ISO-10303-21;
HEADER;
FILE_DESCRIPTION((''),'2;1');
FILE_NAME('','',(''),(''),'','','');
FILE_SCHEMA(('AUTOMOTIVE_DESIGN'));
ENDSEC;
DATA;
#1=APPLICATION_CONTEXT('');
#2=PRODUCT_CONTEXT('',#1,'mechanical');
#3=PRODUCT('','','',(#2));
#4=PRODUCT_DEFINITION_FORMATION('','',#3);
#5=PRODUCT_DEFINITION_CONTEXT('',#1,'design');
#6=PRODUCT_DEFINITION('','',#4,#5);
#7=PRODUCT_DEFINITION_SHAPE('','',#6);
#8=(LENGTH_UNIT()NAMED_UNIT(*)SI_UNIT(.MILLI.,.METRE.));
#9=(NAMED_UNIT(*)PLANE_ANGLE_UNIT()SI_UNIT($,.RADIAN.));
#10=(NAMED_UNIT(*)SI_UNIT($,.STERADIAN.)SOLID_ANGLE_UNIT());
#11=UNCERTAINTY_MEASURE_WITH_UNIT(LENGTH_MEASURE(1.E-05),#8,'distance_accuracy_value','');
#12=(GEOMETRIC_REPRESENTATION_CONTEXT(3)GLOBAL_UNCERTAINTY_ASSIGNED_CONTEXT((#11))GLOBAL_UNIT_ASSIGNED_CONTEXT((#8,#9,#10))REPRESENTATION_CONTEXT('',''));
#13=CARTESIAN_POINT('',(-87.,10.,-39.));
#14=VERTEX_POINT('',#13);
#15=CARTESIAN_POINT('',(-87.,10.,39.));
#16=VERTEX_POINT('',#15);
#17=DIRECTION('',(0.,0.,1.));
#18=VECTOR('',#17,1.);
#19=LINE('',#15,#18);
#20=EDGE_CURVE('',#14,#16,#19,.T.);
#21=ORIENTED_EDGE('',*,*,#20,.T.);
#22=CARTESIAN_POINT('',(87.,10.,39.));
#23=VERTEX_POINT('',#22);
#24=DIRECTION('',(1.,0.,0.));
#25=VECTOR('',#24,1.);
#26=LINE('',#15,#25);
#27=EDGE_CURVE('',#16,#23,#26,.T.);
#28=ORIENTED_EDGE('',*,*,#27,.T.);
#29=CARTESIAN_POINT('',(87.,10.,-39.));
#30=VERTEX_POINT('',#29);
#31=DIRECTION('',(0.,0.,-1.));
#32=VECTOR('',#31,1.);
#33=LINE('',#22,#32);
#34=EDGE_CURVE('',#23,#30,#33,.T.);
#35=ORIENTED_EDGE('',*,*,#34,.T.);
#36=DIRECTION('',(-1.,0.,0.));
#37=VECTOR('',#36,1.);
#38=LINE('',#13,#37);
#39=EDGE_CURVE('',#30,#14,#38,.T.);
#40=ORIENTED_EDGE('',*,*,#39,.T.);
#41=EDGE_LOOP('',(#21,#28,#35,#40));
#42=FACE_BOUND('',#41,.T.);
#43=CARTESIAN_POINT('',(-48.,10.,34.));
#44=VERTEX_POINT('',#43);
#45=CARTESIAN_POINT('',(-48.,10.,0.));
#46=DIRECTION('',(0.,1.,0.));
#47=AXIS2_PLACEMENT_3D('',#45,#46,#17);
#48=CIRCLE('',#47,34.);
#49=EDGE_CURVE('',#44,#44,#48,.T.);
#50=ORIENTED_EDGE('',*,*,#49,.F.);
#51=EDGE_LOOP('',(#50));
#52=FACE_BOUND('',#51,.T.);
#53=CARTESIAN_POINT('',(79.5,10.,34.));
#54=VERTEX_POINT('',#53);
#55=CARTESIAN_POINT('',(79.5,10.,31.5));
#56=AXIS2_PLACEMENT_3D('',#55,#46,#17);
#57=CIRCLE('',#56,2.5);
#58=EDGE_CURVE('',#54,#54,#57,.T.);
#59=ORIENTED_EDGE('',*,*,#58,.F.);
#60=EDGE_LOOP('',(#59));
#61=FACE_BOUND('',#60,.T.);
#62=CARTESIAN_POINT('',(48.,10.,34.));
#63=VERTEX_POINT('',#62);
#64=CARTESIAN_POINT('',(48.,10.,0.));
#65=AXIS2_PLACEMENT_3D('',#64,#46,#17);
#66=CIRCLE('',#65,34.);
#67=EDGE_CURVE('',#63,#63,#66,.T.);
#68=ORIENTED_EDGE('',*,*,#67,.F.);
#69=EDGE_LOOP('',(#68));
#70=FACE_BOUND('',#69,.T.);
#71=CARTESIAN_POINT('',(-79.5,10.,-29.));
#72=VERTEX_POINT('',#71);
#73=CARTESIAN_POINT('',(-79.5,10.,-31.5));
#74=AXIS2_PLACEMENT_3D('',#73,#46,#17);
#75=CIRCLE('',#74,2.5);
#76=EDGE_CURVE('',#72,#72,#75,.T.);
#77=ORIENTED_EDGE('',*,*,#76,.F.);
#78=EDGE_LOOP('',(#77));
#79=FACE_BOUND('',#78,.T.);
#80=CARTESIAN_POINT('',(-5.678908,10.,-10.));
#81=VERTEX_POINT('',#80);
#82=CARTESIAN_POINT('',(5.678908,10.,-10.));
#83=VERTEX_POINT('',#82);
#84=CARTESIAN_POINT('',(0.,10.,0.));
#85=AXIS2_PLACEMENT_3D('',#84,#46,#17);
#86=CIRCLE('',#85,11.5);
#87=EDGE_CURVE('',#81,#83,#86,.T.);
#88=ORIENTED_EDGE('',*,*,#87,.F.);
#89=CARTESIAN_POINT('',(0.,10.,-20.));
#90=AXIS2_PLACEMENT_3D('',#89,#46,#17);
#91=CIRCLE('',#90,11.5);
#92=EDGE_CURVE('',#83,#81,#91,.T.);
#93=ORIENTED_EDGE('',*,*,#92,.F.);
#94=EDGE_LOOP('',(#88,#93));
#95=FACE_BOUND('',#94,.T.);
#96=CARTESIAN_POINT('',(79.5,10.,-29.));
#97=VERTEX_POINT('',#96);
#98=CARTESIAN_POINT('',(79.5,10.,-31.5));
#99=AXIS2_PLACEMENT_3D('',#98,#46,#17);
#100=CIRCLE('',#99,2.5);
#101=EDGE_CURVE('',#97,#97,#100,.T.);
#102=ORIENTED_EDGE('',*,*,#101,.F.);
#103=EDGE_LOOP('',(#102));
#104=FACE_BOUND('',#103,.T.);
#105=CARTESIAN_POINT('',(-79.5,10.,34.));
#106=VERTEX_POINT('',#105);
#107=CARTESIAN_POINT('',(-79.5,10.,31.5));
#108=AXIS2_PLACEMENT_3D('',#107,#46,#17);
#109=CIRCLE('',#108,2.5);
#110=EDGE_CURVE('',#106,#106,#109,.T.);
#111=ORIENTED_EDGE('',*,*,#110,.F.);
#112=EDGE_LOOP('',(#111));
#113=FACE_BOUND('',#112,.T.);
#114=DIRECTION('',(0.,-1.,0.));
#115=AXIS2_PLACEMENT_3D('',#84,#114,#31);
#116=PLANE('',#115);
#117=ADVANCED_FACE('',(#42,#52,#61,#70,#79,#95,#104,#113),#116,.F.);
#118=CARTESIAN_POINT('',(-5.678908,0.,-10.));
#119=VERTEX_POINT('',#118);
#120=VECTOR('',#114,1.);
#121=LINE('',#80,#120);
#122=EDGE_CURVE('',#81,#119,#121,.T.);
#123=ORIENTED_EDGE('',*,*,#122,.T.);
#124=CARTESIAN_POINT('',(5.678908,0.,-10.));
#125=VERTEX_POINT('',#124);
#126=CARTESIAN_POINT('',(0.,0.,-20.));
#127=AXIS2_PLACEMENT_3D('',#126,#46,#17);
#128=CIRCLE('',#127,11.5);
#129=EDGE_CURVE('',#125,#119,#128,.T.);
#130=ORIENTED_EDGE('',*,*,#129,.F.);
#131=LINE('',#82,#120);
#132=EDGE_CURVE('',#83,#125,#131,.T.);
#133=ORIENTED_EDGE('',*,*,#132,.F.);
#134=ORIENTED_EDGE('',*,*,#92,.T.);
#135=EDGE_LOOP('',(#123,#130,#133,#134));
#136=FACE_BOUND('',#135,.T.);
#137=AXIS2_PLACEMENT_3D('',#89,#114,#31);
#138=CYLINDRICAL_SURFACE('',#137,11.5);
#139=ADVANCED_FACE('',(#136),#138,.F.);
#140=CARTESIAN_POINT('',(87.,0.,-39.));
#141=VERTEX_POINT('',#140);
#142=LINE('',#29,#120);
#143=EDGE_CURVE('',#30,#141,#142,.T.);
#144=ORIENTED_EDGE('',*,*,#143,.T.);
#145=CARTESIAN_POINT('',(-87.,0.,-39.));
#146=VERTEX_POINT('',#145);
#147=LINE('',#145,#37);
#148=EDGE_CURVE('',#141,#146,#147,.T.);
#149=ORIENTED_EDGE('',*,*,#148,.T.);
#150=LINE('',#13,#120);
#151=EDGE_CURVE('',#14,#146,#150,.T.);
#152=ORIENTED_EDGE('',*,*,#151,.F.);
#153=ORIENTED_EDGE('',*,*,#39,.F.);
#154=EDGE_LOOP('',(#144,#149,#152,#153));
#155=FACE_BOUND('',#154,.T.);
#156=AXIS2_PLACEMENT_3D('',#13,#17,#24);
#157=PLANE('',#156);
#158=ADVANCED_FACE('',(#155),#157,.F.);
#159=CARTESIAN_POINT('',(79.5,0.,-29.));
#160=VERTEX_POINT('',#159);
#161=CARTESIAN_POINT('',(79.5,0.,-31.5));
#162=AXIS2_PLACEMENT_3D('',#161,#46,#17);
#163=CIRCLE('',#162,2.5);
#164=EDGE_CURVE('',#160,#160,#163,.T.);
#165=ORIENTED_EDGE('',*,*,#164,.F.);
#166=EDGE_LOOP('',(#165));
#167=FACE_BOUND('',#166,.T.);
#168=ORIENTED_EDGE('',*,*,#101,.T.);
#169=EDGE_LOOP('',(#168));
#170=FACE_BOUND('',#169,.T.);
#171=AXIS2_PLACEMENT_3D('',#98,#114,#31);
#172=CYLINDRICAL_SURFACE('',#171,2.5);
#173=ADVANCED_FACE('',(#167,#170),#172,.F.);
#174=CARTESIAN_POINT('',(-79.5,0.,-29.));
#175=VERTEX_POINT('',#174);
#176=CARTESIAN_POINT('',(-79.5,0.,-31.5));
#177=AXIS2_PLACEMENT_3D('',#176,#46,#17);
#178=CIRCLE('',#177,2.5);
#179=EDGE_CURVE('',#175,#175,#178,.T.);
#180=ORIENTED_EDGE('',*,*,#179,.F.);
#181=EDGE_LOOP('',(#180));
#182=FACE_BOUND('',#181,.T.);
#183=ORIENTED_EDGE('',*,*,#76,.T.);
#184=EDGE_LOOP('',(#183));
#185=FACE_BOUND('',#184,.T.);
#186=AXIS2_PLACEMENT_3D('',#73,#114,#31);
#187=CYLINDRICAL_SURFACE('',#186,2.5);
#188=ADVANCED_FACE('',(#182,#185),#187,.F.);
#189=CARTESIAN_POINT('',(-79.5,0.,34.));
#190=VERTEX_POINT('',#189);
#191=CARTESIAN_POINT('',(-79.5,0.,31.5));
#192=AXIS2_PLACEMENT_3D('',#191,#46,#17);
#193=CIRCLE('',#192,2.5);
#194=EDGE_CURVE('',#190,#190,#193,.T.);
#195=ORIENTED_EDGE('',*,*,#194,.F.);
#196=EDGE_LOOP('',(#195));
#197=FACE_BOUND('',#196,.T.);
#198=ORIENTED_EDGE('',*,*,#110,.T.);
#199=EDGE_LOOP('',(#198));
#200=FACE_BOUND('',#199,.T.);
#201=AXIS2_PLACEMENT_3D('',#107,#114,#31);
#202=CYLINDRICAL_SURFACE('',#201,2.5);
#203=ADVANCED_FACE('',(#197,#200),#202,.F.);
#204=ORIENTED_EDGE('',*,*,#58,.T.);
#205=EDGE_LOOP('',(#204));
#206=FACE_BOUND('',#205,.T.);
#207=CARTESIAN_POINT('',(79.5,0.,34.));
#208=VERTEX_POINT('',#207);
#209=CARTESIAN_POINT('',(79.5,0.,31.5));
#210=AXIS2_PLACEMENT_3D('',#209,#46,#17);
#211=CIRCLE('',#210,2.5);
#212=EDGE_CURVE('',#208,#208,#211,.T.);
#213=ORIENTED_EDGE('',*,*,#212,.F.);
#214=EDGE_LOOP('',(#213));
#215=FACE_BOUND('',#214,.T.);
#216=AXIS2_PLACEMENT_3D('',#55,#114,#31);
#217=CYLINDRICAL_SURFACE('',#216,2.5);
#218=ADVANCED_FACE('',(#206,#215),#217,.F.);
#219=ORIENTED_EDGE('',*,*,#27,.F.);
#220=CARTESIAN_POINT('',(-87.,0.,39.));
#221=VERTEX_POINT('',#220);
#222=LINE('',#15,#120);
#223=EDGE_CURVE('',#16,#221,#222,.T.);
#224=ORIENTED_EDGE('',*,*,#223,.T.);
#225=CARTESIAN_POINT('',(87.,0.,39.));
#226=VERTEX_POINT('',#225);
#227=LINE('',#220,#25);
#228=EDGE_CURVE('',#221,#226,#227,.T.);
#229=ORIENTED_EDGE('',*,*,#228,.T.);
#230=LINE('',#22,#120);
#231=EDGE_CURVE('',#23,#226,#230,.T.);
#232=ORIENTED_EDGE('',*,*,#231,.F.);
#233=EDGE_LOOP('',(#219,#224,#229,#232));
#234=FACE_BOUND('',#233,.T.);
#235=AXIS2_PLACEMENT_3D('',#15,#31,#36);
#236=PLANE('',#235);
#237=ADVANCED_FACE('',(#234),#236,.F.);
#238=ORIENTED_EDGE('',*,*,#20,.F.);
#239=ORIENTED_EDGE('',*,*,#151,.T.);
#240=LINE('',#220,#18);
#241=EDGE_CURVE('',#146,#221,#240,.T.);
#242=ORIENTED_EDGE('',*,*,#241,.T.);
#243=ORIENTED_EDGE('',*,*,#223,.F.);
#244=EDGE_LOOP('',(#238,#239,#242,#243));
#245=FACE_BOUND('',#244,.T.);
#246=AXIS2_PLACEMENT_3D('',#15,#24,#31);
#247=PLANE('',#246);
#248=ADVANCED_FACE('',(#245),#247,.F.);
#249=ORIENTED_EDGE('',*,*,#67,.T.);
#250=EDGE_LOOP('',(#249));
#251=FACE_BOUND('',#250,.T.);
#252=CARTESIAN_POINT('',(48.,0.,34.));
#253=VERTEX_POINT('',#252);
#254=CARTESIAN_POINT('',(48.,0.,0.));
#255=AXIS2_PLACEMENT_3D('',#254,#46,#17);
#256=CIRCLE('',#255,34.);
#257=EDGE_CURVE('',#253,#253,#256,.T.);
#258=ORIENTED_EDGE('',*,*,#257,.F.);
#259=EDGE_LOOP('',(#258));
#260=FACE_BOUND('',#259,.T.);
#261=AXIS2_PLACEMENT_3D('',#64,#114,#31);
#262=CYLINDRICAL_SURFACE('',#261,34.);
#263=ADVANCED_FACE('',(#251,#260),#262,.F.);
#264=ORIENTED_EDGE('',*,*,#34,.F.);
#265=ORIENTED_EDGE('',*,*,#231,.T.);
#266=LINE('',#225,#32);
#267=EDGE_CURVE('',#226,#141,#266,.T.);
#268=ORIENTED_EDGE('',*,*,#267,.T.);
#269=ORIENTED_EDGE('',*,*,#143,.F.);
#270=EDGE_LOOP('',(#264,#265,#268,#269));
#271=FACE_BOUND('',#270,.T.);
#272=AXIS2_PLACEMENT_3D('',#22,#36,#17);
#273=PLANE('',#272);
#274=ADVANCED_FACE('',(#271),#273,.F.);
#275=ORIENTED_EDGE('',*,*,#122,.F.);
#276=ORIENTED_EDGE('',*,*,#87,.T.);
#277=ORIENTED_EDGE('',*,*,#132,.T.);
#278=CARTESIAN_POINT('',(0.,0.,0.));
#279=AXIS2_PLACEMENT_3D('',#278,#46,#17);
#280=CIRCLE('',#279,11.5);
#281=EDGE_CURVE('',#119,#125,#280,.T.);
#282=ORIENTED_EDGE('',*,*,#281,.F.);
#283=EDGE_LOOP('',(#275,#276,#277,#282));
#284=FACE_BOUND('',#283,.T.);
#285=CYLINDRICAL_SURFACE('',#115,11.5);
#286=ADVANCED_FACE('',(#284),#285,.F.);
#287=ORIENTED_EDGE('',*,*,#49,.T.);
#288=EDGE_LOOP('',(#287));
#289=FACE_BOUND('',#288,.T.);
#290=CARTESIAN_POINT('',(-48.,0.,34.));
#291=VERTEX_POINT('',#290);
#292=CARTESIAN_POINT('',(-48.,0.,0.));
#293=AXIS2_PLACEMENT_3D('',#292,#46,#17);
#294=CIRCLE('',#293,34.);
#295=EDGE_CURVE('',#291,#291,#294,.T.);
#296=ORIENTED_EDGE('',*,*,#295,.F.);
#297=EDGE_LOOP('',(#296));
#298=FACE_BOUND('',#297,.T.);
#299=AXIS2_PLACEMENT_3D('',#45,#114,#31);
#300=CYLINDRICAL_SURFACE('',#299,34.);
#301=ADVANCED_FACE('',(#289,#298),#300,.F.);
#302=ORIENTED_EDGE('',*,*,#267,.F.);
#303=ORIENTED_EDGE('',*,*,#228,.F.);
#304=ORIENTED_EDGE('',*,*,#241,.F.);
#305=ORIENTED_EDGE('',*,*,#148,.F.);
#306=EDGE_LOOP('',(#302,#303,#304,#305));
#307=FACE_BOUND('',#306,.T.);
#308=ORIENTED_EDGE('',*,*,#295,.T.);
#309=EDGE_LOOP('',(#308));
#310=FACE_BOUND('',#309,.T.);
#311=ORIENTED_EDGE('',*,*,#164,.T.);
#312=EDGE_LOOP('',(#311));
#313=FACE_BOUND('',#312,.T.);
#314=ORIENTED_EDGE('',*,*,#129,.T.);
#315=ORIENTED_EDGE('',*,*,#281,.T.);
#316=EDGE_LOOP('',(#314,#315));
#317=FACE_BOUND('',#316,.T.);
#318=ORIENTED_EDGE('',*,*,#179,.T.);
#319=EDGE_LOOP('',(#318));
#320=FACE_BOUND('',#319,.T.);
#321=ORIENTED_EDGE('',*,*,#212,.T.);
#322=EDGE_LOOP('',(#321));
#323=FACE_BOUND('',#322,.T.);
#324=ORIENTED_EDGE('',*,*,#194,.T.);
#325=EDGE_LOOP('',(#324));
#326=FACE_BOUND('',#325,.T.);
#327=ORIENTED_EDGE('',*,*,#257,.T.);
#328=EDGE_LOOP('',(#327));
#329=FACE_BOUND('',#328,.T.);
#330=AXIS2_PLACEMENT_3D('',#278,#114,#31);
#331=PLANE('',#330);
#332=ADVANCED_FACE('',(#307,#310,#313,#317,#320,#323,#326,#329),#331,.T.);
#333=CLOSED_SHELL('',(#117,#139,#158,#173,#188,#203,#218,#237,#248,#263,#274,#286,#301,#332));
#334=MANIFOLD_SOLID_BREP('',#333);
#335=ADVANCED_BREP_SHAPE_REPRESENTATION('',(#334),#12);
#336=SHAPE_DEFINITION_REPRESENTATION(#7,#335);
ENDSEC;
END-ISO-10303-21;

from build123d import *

# Parameters (mm, degrees)
SKETCH1_W           = 174
SKETCH1_H           = 78
SKETCH1_R           = 34
SKETCH1_R_2         = 2.5
BOSS_EXTRUDE1_DEPTH = 10


with BuildPart() as part:
    # Sketch1 → Boss-Extrude1 (new body)
    with BuildSketch(Plane(origin=(0, 0, 0), x_dir=(1, 0, 0), z_dir=(0, 1, 0))):
        Rectangle(SKETCH1_W, SKETCH1_H)
        with Locations(Location((48, 0, 0), (0, 0, 270))):
            Circle(SKETCH1_R, mode=Mode.SUBTRACT)
        with Locations(Location((-48, 0, 0), (0, 0, 270))):
            Circle(SKETCH1_R, mode=Mode.SUBTRACT)
        with Locations(Location((-79.5, 31.5, 0), (0, 0, 270))):
            Circle(SKETCH1_R_2, mode=Mode.SUBTRACT)
        with Locations(Location((-79.5, -31.5, 0), (0, 0, 270))):
            Circle(SKETCH1_R_2, mode=Mode.SUBTRACT)
        with Locations(Location((79.5, -31.5, 0), (0, 0, 270))):
            Circle(SKETCH1_R_2, mode=Mode.SUBTRACT)
        with Locations(Location((79.5, 31.5, 0), (0, 0, 270))):
            Circle(SKETCH1_R_2, mode=Mode.SUBTRACT)
        with BuildLine():
            ThreePointArc((-5.678908346, 10), (0, -11.5), (5.678908346, 10))
            ThreePointArc((5.678908346, 10), (0, 31.5), (-5.678908346, 10))
        make_face(mode=Mode.SUBTRACT)
    extrude(amount=BOSS_EXTRUDE1_DEPTH)


solid = part.part
